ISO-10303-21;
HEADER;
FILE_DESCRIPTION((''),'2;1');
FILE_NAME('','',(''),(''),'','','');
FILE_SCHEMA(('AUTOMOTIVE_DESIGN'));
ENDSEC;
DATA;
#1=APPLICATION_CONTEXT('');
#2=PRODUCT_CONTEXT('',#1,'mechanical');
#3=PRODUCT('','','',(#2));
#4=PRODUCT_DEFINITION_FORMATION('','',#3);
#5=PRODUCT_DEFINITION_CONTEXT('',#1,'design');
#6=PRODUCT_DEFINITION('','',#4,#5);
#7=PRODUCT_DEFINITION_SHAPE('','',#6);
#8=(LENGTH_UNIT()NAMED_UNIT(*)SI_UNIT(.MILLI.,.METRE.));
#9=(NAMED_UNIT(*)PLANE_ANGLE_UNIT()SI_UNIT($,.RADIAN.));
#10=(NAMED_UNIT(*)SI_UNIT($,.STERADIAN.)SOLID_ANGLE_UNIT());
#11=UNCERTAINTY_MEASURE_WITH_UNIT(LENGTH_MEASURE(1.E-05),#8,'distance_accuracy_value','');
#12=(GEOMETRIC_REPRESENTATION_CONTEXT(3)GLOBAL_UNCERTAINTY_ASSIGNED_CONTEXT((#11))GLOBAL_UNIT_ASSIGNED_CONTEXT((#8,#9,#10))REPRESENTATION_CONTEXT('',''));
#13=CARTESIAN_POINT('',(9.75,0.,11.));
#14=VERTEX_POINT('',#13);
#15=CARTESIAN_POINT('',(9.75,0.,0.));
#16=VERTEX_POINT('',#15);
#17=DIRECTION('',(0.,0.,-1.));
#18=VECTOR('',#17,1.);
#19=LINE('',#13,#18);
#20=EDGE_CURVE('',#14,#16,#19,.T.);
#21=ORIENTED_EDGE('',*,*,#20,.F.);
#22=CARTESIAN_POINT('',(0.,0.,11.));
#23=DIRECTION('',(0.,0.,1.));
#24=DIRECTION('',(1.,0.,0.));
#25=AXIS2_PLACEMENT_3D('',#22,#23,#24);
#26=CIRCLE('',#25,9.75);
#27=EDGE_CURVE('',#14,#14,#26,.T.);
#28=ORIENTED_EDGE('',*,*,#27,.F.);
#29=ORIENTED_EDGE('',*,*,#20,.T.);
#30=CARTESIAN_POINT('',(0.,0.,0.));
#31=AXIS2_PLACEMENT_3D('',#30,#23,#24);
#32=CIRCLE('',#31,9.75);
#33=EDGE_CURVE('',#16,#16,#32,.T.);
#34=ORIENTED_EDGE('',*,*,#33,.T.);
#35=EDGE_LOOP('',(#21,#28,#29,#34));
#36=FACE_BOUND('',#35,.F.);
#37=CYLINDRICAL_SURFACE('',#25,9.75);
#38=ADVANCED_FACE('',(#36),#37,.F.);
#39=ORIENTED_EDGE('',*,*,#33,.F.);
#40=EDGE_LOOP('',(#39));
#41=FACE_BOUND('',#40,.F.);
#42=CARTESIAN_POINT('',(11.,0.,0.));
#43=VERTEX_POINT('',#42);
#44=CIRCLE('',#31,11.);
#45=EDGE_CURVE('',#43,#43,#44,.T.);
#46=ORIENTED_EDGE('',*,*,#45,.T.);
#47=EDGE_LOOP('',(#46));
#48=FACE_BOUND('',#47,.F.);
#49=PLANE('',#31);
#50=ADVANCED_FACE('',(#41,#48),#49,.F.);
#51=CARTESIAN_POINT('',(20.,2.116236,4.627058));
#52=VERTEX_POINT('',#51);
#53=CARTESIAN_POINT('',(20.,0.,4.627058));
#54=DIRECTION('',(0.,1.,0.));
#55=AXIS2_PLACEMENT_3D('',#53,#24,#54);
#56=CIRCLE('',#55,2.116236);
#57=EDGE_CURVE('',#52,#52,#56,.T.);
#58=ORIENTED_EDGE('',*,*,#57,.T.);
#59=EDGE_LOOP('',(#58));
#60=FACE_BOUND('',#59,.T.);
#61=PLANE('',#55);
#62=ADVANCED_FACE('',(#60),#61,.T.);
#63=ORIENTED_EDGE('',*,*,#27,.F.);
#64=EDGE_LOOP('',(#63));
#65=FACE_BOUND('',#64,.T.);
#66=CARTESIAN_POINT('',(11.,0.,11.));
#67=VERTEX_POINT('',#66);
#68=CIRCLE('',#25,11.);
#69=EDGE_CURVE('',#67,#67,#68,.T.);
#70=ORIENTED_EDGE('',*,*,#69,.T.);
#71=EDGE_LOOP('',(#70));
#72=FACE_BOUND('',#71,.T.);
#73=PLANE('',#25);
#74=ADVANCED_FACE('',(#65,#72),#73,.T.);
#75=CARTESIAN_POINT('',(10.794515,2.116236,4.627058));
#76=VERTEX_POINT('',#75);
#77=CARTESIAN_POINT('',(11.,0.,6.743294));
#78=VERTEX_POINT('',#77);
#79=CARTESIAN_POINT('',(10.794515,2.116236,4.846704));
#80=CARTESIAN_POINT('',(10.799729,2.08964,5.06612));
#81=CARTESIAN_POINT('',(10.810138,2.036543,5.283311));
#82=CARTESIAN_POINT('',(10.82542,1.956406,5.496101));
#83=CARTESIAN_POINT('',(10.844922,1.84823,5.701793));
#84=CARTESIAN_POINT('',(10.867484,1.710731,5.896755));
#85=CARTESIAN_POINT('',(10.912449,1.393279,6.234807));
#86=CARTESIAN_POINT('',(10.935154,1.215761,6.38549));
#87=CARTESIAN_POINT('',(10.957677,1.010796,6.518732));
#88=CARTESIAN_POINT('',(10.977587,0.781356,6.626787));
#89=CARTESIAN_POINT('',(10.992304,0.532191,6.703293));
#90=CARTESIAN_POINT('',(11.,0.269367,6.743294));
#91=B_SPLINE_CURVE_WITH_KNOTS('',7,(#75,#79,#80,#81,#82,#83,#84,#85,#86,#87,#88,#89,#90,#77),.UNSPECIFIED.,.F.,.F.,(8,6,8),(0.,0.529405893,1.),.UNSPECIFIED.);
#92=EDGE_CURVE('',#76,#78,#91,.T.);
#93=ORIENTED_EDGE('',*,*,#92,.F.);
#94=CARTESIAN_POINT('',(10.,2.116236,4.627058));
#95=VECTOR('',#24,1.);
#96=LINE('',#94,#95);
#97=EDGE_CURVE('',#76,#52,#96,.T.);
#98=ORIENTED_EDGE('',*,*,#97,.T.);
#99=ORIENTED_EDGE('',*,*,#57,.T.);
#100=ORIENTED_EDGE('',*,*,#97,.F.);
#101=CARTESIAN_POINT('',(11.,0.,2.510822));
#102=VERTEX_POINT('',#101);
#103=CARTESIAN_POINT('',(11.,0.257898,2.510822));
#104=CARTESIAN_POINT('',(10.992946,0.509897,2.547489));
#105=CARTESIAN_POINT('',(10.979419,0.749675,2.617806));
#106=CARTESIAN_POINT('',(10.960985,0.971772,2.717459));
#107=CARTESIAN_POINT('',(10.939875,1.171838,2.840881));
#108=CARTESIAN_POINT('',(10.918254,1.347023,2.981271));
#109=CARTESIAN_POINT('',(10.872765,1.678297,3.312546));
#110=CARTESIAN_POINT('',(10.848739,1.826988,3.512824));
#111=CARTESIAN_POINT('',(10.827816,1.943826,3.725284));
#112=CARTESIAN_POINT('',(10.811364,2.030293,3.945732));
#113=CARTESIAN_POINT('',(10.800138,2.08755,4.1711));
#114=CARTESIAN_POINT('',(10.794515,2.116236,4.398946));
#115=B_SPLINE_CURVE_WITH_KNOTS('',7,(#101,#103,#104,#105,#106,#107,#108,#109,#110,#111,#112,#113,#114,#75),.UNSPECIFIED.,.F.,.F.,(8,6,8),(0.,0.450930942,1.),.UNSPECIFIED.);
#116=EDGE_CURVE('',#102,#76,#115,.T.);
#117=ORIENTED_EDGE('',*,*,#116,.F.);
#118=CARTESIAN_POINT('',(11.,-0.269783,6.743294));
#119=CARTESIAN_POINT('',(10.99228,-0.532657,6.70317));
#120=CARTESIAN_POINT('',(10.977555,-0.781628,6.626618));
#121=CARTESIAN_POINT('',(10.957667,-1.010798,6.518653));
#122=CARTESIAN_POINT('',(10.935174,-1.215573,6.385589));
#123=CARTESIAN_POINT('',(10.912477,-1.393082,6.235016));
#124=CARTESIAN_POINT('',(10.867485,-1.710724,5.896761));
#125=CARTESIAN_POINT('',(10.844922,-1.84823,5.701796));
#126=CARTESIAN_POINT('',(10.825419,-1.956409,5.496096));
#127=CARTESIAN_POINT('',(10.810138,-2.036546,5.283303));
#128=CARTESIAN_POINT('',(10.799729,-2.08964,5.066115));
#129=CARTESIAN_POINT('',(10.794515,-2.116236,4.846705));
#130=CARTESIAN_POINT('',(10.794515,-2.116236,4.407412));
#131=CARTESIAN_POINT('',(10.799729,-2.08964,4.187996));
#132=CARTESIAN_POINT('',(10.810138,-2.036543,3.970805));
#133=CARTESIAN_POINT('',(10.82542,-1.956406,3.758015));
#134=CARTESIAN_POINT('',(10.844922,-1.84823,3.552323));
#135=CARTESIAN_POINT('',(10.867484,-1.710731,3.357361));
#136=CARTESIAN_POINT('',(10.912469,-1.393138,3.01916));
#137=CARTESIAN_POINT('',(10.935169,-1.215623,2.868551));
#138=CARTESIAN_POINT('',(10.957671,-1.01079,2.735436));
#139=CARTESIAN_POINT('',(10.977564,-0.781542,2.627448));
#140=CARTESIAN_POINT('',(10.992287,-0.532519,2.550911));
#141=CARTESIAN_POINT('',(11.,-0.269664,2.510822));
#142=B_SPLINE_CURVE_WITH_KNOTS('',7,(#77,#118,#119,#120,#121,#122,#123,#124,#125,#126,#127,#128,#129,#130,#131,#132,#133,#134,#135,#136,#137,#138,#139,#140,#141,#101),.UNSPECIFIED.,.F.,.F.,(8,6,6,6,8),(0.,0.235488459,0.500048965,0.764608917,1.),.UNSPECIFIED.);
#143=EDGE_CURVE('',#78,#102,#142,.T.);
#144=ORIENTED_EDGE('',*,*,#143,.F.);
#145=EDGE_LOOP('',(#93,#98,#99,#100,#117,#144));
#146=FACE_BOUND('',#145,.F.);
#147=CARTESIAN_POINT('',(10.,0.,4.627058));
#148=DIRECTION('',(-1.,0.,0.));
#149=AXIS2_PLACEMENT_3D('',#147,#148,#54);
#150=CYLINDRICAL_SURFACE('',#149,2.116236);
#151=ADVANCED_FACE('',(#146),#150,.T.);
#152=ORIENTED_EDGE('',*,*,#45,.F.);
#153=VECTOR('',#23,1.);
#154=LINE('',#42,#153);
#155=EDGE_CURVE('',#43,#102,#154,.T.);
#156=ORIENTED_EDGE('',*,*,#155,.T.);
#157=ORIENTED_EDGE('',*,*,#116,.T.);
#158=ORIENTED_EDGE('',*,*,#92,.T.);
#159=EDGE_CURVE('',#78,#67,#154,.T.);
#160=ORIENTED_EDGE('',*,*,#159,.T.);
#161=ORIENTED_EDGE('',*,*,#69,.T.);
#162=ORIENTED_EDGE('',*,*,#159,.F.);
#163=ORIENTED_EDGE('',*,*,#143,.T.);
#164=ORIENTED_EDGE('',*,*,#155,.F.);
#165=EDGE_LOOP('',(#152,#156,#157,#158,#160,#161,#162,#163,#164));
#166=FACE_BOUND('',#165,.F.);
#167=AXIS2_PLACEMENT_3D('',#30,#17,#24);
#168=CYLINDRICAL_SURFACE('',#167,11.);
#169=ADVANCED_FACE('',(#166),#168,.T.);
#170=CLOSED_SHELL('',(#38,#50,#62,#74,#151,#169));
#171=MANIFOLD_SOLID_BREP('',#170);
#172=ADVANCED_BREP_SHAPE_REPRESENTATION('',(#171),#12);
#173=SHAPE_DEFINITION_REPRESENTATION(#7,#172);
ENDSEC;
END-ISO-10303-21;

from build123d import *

# Parameters (mm, degrees)
F0_R     = 11
F1_DEPTH = 11
F2_R     = 9.75
F3_DEPTH = 11
F5_R     = 2.116236
F6_DEPTH = 10


with BuildPart() as f1:
    # F0 (on Top) → F1 (new body)
    with BuildSketch(Plane.XY):
        Circle(F0_R)
    extrude(amount=F1_DEPTH)

    # F2 (on face) → F3 (cut)
    with BuildSketch(Plane.XY.offset(11)):
        Circle(F2_R)
    extrude(amount=-F3_DEPTH, mode=Mode.SUBTRACT)

    # F5 (on offset) → F6 (join)
    with BuildSketch(Plane.YZ.offset(10)):
        with Locations((0, 4.627058)):
            Circle(F5_R)
    extrude(amount=F6_DEPTH)


solid = f1.part
